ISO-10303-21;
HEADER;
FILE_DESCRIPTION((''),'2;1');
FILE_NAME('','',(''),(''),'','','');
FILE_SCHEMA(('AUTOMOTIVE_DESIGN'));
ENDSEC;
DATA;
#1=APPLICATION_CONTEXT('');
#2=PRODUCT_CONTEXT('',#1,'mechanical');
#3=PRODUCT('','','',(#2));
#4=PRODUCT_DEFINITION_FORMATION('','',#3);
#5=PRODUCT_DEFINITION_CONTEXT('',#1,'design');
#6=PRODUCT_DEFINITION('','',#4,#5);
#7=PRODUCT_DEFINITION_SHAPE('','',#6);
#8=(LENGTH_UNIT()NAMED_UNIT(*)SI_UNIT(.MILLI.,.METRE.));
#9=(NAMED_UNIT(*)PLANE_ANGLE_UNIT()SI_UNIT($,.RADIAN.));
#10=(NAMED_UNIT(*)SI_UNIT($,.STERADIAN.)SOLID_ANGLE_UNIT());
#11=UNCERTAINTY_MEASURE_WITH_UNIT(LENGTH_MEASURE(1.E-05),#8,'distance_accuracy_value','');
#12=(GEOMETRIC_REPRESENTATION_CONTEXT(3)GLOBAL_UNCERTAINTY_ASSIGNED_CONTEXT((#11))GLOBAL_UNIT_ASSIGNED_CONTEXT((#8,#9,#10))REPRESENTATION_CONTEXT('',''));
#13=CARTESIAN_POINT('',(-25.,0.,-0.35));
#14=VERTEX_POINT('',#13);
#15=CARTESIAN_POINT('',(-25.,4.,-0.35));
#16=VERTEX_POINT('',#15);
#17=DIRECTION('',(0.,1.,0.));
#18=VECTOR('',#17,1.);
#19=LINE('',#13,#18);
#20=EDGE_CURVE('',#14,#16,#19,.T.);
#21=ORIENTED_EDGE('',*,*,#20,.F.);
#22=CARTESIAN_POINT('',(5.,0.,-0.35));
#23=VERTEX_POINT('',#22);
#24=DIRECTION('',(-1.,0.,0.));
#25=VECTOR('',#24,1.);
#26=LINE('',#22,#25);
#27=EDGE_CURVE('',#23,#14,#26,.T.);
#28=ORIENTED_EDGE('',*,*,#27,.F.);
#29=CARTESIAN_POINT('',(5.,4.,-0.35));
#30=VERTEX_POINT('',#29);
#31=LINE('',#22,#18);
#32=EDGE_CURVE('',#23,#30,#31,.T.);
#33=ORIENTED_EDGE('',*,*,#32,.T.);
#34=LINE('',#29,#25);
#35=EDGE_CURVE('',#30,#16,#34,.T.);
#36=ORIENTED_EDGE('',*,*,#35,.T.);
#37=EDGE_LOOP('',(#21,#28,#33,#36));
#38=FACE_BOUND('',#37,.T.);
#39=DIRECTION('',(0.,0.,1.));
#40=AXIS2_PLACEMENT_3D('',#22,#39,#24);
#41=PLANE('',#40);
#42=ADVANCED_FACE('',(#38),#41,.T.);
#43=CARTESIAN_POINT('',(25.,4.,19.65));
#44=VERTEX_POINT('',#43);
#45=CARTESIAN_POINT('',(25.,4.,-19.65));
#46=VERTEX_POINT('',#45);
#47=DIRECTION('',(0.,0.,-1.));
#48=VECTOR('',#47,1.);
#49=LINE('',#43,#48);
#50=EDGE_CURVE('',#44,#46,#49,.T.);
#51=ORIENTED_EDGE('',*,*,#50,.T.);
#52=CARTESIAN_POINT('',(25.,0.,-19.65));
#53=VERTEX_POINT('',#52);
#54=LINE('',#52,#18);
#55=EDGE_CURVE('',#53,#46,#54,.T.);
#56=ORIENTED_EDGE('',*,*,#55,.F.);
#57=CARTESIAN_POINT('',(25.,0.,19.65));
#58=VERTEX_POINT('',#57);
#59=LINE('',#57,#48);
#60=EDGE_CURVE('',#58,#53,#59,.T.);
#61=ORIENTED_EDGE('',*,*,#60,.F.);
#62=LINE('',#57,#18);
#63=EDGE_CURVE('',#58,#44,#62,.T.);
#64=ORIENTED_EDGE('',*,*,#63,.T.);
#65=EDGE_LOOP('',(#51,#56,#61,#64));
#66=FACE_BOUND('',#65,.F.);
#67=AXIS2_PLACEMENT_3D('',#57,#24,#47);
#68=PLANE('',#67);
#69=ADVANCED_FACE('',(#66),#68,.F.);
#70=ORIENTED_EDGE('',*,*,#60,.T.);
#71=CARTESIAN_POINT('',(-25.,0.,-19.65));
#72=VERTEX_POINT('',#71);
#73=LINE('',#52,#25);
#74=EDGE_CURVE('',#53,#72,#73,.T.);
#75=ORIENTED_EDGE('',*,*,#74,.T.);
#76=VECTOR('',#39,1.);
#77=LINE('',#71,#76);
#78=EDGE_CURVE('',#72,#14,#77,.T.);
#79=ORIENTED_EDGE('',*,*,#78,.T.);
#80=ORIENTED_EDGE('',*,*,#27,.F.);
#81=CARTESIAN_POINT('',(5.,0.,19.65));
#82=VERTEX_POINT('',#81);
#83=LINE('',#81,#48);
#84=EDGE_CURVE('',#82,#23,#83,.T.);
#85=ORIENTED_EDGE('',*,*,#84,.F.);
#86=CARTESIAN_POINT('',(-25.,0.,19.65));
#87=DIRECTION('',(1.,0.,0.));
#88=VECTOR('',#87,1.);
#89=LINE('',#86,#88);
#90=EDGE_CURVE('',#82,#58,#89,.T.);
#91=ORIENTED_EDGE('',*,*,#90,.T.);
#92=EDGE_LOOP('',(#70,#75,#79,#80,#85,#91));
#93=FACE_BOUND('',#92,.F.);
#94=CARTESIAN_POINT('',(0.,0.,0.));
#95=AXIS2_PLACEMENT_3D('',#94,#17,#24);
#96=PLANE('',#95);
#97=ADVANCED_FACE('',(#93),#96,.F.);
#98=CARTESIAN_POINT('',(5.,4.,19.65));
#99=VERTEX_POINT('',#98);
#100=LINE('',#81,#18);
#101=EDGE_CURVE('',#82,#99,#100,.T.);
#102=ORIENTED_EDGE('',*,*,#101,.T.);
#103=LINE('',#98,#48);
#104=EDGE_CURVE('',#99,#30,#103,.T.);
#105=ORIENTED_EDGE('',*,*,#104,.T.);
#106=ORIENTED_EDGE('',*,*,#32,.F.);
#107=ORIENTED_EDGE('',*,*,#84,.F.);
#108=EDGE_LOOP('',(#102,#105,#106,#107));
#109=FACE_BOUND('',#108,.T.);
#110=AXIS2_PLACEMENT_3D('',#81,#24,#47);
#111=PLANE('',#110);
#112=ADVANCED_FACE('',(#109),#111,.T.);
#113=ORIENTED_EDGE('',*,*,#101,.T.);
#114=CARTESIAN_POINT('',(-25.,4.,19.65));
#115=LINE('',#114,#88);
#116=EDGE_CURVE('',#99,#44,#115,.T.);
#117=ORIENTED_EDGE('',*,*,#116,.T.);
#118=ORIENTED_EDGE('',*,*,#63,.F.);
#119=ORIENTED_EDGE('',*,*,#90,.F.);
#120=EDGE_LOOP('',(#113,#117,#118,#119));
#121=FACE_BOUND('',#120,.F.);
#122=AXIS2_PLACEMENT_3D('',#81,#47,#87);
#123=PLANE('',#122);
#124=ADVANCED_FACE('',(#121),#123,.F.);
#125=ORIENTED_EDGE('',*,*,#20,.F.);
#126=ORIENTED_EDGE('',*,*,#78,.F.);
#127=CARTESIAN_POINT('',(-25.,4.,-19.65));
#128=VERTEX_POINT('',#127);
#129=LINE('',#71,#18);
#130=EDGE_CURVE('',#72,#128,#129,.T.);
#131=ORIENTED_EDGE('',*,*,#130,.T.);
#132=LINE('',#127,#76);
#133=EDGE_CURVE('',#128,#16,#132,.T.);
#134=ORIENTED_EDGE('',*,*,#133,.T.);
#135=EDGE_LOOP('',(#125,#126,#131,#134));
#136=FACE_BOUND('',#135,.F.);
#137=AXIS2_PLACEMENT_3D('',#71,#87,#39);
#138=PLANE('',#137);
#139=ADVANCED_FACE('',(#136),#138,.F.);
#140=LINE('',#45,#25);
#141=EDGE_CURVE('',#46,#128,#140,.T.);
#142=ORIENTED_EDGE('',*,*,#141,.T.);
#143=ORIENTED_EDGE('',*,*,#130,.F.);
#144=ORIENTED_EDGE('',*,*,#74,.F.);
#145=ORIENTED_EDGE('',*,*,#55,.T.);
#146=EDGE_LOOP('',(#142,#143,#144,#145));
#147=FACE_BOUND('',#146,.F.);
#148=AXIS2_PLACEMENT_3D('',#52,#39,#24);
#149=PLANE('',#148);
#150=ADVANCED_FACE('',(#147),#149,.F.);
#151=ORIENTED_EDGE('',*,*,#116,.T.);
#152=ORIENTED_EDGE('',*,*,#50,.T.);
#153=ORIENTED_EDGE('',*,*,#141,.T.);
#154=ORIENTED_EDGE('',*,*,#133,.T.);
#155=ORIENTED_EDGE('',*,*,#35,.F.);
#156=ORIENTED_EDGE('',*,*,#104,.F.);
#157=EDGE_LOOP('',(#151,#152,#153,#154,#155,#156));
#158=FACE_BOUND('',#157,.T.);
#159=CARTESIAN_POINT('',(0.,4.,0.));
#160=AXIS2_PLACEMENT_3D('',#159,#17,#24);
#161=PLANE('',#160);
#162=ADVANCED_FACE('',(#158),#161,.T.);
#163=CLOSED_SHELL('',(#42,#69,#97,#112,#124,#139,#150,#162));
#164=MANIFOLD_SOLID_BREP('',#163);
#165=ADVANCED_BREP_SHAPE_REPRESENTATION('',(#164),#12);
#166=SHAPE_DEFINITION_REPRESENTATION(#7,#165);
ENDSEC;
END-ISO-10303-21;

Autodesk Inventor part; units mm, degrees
ref_plane "YZ Plane" through (0, 0, 0) normal (1, 0, 0) x (0, 1, 0)
ref_plane "XZ Plane" through (0, 0, 0) normal (0, 1, 0) x (-1, 0, 0)
ref_plane "XY Plane" through (0, 0, 0) normal (0, 0, 1) x (1, 0, 0)
sketch "Sketch1" plane through (0, 0, 0) normal (0, 1, 0) x (-1, 0, 0)
  line L0 (25, 19.65) -> (-25, 19.65)
  line L1 (-25, 19.65) -> (-25, -19.65)
  line L2 (-25, -19.65) -> (25, -19.65)
  line L3 (25, -19.65) -> (25, 19.65)
  line L4 (25, 19.65) -> (-25, -19.65) construction
  line L5 (-25, 19.65) -> (25, -19.65) construction
  line L6 (25, 19.65) -> (-5, 19.65)
  line L7 (-5, 19.65) -> (-5, -0.35)
  line L8 (-5, -0.35) -> (25, -0.35)
  line L9 (25, -0.35) -> (25, 19.65)
  point P0 (0, 0)
  dimension "d0" = 50
  dimension "d1" = 39.3
  dimension "d2" = 30
  dimension "d3" = 20
extrude "Extrusion1" add sketch "Sketch1" along normal blind 4 contours L7 L8 L3 L2 L1 L0
properties part number "Bracket Motor Lifter_3DPrint"
